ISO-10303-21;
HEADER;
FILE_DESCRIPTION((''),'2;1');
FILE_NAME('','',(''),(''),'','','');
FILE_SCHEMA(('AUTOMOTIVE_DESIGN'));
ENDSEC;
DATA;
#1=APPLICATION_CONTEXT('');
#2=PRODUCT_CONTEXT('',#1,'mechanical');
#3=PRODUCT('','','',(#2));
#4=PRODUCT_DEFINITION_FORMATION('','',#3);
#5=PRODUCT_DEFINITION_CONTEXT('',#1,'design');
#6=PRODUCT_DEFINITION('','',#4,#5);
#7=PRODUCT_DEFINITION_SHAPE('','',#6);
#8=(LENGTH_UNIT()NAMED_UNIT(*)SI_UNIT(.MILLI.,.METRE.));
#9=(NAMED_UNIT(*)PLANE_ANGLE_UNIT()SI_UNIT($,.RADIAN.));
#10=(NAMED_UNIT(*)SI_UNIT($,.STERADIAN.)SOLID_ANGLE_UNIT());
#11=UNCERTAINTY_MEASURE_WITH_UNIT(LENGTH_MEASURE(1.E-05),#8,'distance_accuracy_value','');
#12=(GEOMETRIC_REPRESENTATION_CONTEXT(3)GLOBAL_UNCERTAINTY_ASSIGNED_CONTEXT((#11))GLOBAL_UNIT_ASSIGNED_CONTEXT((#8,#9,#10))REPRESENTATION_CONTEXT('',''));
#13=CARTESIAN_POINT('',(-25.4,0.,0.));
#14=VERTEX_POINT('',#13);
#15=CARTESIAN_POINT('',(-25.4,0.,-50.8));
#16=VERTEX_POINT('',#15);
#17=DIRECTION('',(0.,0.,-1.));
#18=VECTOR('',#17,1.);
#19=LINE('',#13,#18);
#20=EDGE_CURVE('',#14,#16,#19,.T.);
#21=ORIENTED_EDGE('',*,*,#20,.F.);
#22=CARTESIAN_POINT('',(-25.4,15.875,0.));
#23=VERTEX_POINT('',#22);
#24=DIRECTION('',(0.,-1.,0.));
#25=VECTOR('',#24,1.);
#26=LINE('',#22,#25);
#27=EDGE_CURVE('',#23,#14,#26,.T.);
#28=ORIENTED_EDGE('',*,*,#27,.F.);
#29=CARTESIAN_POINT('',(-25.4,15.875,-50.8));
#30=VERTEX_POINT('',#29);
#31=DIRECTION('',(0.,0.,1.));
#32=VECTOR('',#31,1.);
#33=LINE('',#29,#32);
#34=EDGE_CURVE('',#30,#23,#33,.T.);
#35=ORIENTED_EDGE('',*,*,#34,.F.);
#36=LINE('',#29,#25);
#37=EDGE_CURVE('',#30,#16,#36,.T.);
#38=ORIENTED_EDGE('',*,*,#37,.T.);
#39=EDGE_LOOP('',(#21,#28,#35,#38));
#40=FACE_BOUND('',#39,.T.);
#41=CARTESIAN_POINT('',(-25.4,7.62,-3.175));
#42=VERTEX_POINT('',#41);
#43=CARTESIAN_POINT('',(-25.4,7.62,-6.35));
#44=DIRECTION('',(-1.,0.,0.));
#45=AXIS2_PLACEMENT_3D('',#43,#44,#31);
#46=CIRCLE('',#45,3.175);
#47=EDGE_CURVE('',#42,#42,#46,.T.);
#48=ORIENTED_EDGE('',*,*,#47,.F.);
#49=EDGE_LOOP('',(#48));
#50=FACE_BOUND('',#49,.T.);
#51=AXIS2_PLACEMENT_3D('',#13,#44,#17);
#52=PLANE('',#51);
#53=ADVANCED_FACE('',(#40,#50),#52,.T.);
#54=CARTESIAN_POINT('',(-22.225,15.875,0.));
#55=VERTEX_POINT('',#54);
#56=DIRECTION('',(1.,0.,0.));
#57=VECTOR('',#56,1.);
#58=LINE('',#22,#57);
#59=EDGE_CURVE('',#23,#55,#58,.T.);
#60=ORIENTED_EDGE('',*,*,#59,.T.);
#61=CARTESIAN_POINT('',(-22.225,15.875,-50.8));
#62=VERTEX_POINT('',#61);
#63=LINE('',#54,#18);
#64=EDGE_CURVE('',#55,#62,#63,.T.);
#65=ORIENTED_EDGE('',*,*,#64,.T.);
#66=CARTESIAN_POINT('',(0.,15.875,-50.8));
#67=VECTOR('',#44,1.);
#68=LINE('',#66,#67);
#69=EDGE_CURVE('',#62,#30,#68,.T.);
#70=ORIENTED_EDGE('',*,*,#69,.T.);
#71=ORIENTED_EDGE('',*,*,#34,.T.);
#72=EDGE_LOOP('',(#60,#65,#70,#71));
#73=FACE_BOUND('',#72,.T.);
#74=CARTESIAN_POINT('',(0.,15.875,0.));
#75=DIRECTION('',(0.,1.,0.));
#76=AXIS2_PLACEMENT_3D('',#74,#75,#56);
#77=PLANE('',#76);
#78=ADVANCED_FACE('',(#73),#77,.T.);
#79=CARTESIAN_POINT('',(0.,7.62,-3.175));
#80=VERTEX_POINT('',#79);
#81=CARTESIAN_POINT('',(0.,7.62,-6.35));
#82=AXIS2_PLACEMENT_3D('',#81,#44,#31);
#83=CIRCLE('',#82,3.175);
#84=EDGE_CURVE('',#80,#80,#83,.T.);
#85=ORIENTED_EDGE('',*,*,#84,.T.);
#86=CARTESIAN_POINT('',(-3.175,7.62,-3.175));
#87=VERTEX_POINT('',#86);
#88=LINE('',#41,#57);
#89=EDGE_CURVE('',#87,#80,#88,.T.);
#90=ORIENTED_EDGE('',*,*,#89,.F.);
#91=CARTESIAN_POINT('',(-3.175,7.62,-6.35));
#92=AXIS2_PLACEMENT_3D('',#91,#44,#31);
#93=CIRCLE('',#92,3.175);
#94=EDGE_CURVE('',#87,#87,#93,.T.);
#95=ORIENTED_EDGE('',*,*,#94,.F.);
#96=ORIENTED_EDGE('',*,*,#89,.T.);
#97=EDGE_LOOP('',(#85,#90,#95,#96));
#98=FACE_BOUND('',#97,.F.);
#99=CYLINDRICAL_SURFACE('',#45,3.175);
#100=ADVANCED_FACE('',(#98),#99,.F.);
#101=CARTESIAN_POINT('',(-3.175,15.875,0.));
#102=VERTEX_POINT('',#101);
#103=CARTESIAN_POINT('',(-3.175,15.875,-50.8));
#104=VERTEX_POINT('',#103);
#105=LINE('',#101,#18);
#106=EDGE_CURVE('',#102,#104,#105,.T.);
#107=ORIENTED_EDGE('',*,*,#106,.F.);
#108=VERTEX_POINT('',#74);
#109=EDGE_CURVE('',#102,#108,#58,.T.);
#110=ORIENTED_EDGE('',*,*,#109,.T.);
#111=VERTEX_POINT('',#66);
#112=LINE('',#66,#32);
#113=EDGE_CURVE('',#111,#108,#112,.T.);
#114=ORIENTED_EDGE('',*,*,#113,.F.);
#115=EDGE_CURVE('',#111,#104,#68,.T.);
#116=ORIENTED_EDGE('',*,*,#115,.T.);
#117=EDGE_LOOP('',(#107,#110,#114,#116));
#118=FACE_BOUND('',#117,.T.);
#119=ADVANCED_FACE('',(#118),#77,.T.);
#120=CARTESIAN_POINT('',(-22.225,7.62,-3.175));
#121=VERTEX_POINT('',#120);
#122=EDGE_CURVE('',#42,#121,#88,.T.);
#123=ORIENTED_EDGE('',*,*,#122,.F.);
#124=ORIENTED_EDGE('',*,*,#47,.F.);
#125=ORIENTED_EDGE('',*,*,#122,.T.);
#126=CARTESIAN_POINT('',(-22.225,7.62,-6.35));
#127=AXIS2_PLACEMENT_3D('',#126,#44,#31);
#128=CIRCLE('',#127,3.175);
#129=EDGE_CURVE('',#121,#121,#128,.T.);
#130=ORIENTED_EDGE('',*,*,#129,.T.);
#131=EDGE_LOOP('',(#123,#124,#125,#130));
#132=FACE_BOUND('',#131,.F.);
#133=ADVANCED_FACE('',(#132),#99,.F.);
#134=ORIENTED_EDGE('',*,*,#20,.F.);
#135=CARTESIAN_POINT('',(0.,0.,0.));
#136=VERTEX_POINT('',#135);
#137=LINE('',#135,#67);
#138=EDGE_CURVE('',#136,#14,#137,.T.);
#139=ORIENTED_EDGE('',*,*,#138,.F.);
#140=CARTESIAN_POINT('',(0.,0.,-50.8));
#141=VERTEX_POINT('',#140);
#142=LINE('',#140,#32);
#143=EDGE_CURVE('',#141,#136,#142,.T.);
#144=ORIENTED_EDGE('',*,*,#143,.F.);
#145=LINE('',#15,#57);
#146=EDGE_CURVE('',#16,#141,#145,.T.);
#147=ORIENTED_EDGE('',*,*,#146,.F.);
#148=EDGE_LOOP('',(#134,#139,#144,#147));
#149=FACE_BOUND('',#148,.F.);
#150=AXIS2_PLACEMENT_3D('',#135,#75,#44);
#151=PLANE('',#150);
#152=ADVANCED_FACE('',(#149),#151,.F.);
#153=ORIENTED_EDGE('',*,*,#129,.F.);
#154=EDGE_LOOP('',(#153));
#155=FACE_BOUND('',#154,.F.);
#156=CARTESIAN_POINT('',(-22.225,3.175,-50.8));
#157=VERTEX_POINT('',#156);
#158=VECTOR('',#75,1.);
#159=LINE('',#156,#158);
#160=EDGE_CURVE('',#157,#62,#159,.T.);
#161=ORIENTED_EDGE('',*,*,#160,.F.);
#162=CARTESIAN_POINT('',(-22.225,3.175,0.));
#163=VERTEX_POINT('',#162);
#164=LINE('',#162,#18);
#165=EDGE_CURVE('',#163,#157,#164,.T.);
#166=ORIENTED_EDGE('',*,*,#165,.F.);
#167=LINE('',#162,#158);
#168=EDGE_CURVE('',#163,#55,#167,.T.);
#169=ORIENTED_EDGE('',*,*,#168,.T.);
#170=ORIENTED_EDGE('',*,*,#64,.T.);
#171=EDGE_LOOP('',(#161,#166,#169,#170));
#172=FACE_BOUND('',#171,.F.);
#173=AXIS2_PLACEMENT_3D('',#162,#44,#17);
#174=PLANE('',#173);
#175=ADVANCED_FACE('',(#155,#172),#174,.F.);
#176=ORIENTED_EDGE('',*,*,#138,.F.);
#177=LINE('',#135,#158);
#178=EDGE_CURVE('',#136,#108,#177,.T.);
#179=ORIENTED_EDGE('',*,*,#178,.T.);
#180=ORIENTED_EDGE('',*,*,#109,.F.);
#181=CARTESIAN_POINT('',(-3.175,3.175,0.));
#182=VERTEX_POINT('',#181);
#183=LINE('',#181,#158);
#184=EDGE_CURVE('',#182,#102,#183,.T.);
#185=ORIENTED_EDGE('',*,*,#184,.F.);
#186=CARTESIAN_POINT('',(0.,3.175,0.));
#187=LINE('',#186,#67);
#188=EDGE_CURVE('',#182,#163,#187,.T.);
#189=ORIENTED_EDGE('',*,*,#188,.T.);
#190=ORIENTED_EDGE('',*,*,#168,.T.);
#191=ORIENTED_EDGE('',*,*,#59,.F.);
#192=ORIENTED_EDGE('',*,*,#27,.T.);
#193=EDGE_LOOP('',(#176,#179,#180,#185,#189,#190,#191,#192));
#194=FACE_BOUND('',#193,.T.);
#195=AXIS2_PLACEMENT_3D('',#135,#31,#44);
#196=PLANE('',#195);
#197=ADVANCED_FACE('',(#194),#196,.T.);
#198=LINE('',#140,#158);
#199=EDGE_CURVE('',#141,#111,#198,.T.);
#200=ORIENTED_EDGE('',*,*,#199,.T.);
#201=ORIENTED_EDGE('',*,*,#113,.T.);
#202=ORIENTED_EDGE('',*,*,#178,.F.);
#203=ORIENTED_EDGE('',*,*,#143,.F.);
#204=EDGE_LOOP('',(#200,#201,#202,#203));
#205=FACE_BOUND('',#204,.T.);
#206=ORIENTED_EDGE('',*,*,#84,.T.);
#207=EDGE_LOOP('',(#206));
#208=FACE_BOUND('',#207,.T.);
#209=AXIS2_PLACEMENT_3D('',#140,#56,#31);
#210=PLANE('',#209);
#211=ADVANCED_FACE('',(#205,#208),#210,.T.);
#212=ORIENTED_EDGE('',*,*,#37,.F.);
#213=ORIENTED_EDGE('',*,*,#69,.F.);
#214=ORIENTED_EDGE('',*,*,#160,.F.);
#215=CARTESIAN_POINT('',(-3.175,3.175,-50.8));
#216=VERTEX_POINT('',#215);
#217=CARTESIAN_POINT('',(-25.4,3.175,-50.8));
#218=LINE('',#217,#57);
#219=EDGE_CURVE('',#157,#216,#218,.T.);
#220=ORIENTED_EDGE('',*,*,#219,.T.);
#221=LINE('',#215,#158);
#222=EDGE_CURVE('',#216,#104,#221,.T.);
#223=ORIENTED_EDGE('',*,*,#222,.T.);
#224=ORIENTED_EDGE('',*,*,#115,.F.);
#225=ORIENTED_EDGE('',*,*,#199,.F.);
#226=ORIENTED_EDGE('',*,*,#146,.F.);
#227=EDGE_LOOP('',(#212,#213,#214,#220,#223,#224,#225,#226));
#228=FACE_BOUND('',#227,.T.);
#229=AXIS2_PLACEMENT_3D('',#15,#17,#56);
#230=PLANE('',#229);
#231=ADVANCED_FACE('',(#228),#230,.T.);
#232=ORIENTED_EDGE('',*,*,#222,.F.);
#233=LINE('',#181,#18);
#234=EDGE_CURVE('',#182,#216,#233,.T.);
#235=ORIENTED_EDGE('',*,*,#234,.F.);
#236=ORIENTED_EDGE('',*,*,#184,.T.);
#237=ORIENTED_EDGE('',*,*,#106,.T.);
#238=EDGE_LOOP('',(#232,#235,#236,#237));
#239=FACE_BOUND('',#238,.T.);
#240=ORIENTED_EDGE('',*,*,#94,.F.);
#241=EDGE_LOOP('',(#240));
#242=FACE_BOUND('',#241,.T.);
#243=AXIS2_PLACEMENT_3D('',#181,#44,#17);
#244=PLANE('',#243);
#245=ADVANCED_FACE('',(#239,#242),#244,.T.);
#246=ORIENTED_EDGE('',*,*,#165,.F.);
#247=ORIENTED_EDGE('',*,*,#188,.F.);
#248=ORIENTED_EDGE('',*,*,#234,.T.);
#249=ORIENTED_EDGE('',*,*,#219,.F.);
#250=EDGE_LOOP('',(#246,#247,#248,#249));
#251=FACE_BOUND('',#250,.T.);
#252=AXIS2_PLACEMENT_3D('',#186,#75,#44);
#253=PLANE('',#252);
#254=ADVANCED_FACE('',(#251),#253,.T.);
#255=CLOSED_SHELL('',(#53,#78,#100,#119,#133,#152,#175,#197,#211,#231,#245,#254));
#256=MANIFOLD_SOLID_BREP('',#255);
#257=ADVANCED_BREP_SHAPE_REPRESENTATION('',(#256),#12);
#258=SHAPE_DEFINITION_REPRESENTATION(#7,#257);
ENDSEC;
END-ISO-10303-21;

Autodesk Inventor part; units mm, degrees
ref_plane "YZ Plane" through (0, 0, 0) normal (1, 0, 0) x (0, 1, 0)
ref_plane "XZ Plane" through (0, 0, 0) normal (0, 1, 0) x (-1, 0, 0)
ref_plane "XY Plane" through (0, 0, 0) normal (0, 0, 1) x (1, 0, 0)
sketch "Sketch1" plane through (0, 0, 0) normal (0, 1, 0) x (-1, 0, 0)
  line L0 (0, 0) -> (25.4, 0)
  line L1 (25.4, 0) -> (25.4, -50.8)
  line L2 (25.4, -50.8) -> (0, -50.8)
  line L3 (0, -50.8) -> (0, 0)
  dimension "d0" = 25.4
  dimension "d1" = 50.8
extrude "Extrusion1" add sketch "Sketch1" along normal blind 3.175
sketch "Sketch2" plane through (0, 3.175, 0) normal (0, 1, 0) x (1, 0, 0)
  line L0 (-25.4, 0) -> (0, 0) projected
  line L1 (0, 50.8) -> (-25.4, 50.8) projected
  line L2 (-25.4, 0) -> (-22.225, 0)
  line L3 (-22.225, 0) -> (-22.225, 50.8)
  line L4 (-22.225, 50.8) -> (-25.4, 50.8)
  line L5 (-25.4, 50.8) -> (-25.4, 0)
  line L6 (0, 0) -> (-3.175, 0)
  line L7 (-3.175, 0) -> (-3.175, 50.8)
  line L8 (-3.175, 50.8) -> (0, 50.8)
  line L9 (0, 50.8) -> (0, 0)
  dimension "d4" = 3.175
  dimension "d5" = 3.175
extrude "Extrusion2" add sketch "Sketch2" along normal blind 12.7 contours L5 L1 L3 L0 | L7 L1 L9 L0
sketch "Sketch3" plane through (-25.4, 0, -50.8) normal (-1, 0, 0) x (0, 0, 1)
  circle A0 centre (44.45, 7.62) radius 3.175
  line L0 (50.8, 0) -> (0, 0) projected
  line L1 (50.8, 0) -> (50.8, 15.875) projected
  dimension "d8" = 6.35
  dimension "d9" = 7.62
  dimension "d10" = 6.35
extrude "Extrusion3" cut sketch "Sketch3" against normal blind 25.4
properties part number "Manipulator2LeverAdapter"
